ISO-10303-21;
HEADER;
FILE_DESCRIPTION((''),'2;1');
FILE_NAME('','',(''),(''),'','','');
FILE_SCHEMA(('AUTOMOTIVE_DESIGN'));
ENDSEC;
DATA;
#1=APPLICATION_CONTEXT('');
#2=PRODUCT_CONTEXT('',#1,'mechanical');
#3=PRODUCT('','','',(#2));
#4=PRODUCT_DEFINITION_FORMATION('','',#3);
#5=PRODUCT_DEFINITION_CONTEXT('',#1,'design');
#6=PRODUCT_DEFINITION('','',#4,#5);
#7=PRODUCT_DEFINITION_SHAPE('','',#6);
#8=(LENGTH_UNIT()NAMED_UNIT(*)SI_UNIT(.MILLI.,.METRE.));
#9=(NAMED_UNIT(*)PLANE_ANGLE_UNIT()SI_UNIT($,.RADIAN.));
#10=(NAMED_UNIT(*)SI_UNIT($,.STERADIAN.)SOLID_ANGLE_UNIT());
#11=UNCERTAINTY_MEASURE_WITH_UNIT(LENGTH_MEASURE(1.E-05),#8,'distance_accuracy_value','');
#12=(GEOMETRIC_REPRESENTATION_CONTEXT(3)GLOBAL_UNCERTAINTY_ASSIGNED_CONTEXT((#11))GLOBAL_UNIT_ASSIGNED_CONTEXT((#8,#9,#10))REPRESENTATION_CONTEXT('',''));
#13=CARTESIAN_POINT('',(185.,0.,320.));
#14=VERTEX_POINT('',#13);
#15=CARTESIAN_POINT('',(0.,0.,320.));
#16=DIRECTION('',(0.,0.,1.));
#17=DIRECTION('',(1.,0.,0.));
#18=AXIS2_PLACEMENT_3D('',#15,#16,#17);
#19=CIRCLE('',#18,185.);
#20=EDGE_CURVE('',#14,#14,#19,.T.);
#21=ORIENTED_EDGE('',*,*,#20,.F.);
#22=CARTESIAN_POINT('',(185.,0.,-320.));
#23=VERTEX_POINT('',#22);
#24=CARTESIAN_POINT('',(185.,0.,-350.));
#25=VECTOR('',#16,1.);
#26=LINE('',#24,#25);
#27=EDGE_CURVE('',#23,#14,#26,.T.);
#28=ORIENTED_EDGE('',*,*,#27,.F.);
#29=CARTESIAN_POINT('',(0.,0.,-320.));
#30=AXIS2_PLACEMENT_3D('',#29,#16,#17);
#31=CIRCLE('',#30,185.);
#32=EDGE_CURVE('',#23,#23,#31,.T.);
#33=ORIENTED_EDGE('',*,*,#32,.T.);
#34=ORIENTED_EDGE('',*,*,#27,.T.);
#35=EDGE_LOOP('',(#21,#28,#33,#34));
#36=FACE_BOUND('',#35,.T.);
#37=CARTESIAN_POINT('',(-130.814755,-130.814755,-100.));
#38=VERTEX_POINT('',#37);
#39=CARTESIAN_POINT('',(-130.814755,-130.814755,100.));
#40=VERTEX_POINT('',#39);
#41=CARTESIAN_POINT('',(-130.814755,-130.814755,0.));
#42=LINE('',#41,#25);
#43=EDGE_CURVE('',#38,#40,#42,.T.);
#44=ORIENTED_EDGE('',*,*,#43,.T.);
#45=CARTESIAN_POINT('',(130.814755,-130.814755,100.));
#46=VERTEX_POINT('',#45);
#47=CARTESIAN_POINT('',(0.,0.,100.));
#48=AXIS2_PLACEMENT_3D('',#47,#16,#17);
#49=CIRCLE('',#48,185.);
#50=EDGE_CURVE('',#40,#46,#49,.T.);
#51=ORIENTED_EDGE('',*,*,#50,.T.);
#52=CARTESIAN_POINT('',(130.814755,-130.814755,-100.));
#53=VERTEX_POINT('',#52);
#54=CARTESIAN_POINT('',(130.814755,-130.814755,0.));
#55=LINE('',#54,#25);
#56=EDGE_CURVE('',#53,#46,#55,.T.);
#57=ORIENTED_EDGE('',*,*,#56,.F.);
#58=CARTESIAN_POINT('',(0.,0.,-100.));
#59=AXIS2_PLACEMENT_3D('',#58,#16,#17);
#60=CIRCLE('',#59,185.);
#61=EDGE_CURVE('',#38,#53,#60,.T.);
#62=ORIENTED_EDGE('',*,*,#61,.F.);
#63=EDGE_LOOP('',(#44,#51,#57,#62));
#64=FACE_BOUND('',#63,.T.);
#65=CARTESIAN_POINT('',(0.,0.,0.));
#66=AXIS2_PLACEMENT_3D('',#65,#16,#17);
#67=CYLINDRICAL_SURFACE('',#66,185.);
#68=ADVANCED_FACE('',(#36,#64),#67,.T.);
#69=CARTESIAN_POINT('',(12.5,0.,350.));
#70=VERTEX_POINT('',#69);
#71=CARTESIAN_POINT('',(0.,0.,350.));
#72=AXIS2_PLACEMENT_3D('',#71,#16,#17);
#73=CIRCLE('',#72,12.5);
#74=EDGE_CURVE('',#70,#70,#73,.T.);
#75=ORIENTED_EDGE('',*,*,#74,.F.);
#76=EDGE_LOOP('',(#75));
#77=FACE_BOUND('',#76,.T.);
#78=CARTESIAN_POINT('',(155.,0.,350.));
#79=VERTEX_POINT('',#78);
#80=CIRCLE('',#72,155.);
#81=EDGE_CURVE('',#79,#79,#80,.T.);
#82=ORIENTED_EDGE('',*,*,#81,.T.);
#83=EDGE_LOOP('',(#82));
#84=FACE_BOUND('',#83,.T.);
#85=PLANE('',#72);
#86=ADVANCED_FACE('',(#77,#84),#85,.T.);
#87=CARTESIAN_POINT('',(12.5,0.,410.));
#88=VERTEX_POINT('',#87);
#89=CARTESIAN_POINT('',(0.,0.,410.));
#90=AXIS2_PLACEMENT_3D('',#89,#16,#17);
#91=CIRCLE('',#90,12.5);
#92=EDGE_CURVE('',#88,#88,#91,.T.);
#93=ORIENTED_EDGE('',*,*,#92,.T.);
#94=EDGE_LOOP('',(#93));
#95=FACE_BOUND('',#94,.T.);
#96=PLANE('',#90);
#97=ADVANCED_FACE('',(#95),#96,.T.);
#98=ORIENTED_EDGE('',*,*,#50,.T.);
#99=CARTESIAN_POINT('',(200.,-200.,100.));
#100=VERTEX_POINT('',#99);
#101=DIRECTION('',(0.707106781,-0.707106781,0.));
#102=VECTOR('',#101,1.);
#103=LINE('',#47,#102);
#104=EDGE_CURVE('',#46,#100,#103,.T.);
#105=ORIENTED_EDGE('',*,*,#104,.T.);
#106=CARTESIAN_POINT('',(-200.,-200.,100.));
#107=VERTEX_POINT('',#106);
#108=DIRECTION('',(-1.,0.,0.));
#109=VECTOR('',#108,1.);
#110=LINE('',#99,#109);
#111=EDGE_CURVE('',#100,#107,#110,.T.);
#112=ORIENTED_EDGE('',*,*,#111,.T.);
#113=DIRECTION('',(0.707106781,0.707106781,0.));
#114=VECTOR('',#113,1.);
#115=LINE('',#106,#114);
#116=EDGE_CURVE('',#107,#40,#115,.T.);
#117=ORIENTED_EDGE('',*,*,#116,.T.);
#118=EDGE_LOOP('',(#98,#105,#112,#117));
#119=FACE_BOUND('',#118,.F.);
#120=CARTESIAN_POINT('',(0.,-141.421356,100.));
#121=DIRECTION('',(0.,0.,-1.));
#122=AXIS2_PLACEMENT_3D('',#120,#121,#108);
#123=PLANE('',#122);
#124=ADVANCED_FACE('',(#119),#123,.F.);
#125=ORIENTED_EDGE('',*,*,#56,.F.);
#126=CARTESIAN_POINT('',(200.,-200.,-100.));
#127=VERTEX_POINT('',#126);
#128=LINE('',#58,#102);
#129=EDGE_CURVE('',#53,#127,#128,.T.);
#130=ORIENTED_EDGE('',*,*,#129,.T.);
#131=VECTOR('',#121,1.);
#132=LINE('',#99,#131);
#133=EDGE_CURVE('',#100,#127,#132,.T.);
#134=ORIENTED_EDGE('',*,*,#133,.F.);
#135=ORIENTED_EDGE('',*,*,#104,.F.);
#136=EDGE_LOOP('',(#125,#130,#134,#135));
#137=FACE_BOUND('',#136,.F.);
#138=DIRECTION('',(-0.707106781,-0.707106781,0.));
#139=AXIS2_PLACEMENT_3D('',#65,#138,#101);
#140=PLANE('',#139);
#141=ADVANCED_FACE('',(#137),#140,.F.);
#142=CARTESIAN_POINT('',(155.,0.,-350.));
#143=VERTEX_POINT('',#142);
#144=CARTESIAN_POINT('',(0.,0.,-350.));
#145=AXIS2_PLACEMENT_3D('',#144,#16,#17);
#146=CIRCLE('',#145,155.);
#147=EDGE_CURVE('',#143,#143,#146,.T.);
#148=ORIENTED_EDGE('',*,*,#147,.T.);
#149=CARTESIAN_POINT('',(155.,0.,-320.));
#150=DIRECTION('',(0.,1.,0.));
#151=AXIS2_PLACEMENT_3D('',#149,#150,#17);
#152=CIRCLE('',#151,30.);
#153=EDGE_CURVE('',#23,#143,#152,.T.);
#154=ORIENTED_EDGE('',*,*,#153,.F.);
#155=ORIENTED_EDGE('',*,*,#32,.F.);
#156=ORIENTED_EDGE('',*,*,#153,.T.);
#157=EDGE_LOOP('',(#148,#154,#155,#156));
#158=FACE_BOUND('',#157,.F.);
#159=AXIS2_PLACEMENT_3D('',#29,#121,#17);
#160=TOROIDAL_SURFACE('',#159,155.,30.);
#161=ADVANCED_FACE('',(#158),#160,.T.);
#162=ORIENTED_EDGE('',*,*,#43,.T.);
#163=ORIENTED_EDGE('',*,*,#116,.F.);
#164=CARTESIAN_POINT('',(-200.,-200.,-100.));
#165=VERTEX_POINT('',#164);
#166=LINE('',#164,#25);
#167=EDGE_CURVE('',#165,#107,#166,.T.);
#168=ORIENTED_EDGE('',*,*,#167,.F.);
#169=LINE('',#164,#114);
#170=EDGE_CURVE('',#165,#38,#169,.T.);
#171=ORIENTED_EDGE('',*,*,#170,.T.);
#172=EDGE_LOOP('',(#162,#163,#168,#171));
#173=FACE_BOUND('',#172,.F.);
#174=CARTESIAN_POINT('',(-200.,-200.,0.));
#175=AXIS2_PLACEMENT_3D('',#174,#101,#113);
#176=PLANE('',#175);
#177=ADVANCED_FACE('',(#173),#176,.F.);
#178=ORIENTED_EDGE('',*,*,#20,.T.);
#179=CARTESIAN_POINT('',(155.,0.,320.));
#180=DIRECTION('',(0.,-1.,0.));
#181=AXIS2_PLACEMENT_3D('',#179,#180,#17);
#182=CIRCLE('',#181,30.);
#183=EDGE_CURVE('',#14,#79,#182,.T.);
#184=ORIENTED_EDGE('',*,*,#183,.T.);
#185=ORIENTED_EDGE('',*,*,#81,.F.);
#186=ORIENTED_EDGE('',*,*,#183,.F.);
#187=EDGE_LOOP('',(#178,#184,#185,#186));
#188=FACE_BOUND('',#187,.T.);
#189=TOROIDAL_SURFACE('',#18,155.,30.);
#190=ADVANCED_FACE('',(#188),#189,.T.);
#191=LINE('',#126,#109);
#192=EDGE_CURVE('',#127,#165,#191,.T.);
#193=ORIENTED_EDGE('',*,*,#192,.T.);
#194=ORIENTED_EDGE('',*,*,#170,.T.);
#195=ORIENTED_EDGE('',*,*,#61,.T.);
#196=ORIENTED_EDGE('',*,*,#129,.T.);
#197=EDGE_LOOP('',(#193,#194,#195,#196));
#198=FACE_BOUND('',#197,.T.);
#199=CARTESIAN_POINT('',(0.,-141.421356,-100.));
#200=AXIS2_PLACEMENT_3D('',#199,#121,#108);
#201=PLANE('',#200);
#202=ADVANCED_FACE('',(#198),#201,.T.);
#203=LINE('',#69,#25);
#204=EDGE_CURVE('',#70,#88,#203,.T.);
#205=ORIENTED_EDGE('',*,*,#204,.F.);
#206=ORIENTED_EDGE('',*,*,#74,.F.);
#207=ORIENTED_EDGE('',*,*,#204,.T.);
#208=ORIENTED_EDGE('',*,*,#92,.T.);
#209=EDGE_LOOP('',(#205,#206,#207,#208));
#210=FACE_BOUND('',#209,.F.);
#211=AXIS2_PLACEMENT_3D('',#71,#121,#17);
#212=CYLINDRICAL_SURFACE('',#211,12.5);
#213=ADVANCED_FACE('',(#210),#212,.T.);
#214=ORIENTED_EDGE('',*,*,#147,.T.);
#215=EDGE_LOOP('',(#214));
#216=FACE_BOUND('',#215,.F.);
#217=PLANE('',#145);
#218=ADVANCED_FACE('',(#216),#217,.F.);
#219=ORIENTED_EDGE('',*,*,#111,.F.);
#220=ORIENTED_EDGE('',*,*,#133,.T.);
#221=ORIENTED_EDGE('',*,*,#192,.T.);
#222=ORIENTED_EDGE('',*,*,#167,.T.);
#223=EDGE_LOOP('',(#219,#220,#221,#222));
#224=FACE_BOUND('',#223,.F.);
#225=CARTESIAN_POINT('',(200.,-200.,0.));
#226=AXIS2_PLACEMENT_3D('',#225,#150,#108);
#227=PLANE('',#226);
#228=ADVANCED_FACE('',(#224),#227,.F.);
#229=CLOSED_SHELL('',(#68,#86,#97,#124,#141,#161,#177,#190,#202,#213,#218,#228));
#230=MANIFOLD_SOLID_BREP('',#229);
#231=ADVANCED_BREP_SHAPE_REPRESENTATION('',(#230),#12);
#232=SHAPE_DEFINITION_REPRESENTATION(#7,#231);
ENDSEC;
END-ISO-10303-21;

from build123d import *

# Parameters (mm, degrees)
SKETCH1_R           = 185
BOSS_EXTRUDE1_DEPTH = 350
FILLET1_R           = 30
BOSS_EXTRUDE2_DEPTH = 100
SKETCH3_R           = 12.5
BOSS_EXTRUDE3_DEPTH = 60


with BuildPart() as part:
    # Sketch1 → Boss-Extrude1 (new, symmetric)
    with BuildSketch(Plane.XY):
        Circle(SKETCH1_R)
    extrude(amount=BOSS_EXTRUDE1_DEPTH, both=True)

    # Fillet1
    fillet1_edges = [part.edges().sort_by_distance(p)[0] for p in [
        (-185, 0, -350),
        (-185, 0, 350),
    ]]
    fillet(fillet1_edges, radius=FILLET1_R)

    # Sketch2 → Boss-Extrude2 (add, symmetric)
    with BuildSketch(Plane.XY):
        Polygon((0, 0), (200, -200), (-200, -200), align=None)
    extrude(amount=BOSS_EXTRUDE2_DEPTH, both=True)

    # Sketch3 → Boss-Extrude3 (add)
    with BuildSketch(Plane.XY.offset(350)):
        Circle(SKETCH3_R)
    extrude(amount=BOSS_EXTRUDE3_DEPTH)


solid = part.part
